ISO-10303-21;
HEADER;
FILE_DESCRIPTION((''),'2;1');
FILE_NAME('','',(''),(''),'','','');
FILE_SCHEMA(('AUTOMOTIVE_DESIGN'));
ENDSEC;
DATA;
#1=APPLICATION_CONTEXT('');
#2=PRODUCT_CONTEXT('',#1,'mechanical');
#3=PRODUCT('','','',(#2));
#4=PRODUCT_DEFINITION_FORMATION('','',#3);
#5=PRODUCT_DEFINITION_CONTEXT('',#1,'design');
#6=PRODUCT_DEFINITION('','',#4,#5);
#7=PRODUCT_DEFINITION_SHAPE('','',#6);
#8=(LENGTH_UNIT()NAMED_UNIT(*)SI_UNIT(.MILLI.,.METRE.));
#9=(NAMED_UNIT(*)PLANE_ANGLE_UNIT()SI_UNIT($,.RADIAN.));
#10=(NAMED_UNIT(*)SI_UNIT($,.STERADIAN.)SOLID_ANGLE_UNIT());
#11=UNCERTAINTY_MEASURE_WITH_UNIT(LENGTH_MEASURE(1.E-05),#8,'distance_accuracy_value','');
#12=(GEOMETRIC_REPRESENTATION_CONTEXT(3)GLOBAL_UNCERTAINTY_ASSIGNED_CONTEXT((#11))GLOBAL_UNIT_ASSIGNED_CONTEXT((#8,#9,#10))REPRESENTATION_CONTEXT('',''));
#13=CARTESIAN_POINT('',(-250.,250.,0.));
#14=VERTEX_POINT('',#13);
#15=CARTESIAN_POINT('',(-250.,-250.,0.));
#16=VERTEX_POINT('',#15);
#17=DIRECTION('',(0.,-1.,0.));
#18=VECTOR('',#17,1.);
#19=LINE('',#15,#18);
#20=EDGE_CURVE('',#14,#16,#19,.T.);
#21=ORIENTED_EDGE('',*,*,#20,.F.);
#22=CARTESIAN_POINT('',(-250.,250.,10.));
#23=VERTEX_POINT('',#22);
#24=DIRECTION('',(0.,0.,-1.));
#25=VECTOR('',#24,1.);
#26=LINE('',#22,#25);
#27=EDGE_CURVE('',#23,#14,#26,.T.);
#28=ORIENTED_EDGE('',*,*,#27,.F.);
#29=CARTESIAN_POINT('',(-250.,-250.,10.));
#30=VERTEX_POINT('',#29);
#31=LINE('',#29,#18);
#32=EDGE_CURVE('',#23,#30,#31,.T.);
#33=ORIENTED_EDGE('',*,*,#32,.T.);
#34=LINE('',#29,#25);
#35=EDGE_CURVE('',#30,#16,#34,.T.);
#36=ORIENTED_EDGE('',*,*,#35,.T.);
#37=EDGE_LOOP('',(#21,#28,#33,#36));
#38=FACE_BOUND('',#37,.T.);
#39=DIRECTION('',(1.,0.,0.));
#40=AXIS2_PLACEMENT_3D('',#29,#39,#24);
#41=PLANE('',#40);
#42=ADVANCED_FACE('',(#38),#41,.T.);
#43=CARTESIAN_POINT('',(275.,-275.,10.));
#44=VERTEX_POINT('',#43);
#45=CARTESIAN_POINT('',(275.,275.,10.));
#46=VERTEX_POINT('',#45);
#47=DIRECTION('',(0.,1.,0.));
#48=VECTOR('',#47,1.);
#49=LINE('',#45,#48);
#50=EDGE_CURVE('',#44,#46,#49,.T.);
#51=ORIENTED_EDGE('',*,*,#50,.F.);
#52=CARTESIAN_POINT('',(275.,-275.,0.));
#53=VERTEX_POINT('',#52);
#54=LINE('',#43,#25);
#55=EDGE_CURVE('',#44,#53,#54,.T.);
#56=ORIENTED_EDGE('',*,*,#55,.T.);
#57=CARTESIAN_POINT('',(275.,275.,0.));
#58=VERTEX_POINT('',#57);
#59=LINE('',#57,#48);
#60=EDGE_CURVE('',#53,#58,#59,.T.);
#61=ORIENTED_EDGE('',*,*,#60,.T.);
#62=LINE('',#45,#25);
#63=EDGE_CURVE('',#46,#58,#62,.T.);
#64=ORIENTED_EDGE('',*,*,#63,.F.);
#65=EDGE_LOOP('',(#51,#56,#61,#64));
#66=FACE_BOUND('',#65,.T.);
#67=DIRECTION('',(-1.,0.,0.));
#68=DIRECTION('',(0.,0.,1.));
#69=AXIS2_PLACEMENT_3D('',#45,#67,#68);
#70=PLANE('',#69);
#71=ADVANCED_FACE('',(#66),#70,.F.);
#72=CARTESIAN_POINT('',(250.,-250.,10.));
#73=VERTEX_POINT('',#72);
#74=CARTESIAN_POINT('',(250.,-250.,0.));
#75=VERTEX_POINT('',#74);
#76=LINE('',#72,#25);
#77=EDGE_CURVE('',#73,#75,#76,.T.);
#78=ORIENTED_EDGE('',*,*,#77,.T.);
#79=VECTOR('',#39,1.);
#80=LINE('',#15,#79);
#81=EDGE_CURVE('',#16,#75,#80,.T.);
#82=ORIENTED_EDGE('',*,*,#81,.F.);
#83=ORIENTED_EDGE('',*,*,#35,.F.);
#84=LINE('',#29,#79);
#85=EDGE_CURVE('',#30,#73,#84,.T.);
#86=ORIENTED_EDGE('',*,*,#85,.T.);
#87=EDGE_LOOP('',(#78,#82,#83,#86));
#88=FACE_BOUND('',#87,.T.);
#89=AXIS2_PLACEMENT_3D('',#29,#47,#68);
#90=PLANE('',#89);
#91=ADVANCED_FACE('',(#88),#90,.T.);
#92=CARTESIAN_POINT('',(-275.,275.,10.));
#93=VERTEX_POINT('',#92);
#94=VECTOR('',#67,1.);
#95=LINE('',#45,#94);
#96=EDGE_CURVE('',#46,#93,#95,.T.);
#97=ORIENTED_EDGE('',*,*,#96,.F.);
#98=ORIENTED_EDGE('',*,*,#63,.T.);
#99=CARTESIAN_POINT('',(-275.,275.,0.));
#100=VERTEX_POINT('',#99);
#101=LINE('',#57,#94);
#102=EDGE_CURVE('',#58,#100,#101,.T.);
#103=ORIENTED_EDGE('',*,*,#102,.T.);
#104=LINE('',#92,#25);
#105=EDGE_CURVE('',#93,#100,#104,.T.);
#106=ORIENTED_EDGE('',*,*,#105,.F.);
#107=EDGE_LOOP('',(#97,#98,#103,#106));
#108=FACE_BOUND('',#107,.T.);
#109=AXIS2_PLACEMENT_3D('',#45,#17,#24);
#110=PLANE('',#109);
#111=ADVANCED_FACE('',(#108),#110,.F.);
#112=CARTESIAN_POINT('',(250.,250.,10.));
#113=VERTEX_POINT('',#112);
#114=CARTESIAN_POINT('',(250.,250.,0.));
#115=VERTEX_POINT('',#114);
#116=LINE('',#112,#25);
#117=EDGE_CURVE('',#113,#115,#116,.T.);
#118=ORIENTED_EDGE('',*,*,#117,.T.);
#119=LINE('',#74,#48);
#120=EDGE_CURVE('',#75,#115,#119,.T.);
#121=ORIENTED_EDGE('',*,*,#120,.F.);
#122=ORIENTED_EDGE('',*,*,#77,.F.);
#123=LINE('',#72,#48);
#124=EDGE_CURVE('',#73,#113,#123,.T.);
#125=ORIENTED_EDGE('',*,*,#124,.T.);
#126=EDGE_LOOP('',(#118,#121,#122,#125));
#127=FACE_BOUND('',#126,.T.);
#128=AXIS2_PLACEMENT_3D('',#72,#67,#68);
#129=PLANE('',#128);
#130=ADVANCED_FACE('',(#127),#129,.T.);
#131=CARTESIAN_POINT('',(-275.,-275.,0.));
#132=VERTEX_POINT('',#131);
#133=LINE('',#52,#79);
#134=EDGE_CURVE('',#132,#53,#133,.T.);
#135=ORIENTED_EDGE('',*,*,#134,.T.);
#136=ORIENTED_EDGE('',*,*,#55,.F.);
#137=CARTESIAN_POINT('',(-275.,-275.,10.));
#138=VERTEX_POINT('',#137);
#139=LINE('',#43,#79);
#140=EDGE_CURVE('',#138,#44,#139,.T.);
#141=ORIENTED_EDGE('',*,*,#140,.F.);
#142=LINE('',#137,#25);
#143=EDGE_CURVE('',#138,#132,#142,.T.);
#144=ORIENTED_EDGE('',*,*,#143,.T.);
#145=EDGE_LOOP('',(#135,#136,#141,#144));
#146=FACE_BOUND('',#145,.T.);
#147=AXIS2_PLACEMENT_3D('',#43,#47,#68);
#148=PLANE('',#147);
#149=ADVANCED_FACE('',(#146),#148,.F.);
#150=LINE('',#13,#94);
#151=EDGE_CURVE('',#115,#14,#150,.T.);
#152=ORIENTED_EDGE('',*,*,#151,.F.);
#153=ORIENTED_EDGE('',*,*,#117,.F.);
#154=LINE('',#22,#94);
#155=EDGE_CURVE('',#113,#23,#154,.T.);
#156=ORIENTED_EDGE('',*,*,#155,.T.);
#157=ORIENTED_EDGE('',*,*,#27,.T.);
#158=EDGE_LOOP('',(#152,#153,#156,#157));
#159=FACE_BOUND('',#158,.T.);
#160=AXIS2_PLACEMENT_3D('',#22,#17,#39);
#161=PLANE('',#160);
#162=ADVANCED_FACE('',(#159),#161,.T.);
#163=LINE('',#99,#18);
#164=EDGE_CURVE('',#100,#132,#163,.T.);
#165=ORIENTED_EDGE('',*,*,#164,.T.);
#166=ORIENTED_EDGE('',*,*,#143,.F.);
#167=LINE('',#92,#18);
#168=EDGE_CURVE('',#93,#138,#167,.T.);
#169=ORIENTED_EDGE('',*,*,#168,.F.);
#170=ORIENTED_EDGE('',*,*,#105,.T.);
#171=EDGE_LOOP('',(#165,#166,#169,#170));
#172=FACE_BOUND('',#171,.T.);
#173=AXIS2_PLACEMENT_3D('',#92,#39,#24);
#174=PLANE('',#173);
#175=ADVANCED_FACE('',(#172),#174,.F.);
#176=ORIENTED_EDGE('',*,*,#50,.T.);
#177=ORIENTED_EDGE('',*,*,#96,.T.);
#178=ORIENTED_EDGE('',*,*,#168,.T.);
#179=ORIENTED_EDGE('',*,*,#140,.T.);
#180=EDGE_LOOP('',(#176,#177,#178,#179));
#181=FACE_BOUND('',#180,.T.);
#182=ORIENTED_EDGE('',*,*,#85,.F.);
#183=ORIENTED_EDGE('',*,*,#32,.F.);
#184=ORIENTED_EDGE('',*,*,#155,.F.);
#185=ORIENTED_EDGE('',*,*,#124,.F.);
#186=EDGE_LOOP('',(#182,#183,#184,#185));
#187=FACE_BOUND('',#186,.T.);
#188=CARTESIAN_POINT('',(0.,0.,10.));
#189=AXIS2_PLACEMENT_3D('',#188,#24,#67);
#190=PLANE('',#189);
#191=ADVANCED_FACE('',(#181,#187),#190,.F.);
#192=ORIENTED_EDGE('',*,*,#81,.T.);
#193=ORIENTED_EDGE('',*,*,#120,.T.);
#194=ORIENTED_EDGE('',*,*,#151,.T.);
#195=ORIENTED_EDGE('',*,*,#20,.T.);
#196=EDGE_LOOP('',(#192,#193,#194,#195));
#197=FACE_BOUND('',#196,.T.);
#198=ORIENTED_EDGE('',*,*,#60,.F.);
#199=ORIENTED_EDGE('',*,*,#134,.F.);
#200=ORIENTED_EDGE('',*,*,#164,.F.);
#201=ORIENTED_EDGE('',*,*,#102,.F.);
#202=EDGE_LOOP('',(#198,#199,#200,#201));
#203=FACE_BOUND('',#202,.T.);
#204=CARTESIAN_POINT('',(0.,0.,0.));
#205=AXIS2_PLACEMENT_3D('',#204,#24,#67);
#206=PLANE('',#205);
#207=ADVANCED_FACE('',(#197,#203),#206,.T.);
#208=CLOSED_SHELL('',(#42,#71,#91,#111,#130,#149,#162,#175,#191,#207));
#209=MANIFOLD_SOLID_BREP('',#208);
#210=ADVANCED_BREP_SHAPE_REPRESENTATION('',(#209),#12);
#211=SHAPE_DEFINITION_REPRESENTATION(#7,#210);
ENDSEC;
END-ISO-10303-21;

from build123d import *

# Parameters (mm, degrees)
SKETCH1_W           = 550
SKETCH1_H           = 550
SKETCH1_W_2         = 500
SKETCH1_H_2         = 500
BOSS_EXTRUDE1_DEPTH = 10


with BuildPart() as part:
    # Sketch1 → Boss-Extrude1 (new body)
    with BuildSketch(Plane.XY):
        Rectangle(SKETCH1_W, SKETCH1_H)
        Rectangle(SKETCH1_W_2, SKETCH1_H_2, mode=Mode.SUBTRACT)
    extrude(amount=BOSS_EXTRUDE1_DEPTH)


solid = part.part
